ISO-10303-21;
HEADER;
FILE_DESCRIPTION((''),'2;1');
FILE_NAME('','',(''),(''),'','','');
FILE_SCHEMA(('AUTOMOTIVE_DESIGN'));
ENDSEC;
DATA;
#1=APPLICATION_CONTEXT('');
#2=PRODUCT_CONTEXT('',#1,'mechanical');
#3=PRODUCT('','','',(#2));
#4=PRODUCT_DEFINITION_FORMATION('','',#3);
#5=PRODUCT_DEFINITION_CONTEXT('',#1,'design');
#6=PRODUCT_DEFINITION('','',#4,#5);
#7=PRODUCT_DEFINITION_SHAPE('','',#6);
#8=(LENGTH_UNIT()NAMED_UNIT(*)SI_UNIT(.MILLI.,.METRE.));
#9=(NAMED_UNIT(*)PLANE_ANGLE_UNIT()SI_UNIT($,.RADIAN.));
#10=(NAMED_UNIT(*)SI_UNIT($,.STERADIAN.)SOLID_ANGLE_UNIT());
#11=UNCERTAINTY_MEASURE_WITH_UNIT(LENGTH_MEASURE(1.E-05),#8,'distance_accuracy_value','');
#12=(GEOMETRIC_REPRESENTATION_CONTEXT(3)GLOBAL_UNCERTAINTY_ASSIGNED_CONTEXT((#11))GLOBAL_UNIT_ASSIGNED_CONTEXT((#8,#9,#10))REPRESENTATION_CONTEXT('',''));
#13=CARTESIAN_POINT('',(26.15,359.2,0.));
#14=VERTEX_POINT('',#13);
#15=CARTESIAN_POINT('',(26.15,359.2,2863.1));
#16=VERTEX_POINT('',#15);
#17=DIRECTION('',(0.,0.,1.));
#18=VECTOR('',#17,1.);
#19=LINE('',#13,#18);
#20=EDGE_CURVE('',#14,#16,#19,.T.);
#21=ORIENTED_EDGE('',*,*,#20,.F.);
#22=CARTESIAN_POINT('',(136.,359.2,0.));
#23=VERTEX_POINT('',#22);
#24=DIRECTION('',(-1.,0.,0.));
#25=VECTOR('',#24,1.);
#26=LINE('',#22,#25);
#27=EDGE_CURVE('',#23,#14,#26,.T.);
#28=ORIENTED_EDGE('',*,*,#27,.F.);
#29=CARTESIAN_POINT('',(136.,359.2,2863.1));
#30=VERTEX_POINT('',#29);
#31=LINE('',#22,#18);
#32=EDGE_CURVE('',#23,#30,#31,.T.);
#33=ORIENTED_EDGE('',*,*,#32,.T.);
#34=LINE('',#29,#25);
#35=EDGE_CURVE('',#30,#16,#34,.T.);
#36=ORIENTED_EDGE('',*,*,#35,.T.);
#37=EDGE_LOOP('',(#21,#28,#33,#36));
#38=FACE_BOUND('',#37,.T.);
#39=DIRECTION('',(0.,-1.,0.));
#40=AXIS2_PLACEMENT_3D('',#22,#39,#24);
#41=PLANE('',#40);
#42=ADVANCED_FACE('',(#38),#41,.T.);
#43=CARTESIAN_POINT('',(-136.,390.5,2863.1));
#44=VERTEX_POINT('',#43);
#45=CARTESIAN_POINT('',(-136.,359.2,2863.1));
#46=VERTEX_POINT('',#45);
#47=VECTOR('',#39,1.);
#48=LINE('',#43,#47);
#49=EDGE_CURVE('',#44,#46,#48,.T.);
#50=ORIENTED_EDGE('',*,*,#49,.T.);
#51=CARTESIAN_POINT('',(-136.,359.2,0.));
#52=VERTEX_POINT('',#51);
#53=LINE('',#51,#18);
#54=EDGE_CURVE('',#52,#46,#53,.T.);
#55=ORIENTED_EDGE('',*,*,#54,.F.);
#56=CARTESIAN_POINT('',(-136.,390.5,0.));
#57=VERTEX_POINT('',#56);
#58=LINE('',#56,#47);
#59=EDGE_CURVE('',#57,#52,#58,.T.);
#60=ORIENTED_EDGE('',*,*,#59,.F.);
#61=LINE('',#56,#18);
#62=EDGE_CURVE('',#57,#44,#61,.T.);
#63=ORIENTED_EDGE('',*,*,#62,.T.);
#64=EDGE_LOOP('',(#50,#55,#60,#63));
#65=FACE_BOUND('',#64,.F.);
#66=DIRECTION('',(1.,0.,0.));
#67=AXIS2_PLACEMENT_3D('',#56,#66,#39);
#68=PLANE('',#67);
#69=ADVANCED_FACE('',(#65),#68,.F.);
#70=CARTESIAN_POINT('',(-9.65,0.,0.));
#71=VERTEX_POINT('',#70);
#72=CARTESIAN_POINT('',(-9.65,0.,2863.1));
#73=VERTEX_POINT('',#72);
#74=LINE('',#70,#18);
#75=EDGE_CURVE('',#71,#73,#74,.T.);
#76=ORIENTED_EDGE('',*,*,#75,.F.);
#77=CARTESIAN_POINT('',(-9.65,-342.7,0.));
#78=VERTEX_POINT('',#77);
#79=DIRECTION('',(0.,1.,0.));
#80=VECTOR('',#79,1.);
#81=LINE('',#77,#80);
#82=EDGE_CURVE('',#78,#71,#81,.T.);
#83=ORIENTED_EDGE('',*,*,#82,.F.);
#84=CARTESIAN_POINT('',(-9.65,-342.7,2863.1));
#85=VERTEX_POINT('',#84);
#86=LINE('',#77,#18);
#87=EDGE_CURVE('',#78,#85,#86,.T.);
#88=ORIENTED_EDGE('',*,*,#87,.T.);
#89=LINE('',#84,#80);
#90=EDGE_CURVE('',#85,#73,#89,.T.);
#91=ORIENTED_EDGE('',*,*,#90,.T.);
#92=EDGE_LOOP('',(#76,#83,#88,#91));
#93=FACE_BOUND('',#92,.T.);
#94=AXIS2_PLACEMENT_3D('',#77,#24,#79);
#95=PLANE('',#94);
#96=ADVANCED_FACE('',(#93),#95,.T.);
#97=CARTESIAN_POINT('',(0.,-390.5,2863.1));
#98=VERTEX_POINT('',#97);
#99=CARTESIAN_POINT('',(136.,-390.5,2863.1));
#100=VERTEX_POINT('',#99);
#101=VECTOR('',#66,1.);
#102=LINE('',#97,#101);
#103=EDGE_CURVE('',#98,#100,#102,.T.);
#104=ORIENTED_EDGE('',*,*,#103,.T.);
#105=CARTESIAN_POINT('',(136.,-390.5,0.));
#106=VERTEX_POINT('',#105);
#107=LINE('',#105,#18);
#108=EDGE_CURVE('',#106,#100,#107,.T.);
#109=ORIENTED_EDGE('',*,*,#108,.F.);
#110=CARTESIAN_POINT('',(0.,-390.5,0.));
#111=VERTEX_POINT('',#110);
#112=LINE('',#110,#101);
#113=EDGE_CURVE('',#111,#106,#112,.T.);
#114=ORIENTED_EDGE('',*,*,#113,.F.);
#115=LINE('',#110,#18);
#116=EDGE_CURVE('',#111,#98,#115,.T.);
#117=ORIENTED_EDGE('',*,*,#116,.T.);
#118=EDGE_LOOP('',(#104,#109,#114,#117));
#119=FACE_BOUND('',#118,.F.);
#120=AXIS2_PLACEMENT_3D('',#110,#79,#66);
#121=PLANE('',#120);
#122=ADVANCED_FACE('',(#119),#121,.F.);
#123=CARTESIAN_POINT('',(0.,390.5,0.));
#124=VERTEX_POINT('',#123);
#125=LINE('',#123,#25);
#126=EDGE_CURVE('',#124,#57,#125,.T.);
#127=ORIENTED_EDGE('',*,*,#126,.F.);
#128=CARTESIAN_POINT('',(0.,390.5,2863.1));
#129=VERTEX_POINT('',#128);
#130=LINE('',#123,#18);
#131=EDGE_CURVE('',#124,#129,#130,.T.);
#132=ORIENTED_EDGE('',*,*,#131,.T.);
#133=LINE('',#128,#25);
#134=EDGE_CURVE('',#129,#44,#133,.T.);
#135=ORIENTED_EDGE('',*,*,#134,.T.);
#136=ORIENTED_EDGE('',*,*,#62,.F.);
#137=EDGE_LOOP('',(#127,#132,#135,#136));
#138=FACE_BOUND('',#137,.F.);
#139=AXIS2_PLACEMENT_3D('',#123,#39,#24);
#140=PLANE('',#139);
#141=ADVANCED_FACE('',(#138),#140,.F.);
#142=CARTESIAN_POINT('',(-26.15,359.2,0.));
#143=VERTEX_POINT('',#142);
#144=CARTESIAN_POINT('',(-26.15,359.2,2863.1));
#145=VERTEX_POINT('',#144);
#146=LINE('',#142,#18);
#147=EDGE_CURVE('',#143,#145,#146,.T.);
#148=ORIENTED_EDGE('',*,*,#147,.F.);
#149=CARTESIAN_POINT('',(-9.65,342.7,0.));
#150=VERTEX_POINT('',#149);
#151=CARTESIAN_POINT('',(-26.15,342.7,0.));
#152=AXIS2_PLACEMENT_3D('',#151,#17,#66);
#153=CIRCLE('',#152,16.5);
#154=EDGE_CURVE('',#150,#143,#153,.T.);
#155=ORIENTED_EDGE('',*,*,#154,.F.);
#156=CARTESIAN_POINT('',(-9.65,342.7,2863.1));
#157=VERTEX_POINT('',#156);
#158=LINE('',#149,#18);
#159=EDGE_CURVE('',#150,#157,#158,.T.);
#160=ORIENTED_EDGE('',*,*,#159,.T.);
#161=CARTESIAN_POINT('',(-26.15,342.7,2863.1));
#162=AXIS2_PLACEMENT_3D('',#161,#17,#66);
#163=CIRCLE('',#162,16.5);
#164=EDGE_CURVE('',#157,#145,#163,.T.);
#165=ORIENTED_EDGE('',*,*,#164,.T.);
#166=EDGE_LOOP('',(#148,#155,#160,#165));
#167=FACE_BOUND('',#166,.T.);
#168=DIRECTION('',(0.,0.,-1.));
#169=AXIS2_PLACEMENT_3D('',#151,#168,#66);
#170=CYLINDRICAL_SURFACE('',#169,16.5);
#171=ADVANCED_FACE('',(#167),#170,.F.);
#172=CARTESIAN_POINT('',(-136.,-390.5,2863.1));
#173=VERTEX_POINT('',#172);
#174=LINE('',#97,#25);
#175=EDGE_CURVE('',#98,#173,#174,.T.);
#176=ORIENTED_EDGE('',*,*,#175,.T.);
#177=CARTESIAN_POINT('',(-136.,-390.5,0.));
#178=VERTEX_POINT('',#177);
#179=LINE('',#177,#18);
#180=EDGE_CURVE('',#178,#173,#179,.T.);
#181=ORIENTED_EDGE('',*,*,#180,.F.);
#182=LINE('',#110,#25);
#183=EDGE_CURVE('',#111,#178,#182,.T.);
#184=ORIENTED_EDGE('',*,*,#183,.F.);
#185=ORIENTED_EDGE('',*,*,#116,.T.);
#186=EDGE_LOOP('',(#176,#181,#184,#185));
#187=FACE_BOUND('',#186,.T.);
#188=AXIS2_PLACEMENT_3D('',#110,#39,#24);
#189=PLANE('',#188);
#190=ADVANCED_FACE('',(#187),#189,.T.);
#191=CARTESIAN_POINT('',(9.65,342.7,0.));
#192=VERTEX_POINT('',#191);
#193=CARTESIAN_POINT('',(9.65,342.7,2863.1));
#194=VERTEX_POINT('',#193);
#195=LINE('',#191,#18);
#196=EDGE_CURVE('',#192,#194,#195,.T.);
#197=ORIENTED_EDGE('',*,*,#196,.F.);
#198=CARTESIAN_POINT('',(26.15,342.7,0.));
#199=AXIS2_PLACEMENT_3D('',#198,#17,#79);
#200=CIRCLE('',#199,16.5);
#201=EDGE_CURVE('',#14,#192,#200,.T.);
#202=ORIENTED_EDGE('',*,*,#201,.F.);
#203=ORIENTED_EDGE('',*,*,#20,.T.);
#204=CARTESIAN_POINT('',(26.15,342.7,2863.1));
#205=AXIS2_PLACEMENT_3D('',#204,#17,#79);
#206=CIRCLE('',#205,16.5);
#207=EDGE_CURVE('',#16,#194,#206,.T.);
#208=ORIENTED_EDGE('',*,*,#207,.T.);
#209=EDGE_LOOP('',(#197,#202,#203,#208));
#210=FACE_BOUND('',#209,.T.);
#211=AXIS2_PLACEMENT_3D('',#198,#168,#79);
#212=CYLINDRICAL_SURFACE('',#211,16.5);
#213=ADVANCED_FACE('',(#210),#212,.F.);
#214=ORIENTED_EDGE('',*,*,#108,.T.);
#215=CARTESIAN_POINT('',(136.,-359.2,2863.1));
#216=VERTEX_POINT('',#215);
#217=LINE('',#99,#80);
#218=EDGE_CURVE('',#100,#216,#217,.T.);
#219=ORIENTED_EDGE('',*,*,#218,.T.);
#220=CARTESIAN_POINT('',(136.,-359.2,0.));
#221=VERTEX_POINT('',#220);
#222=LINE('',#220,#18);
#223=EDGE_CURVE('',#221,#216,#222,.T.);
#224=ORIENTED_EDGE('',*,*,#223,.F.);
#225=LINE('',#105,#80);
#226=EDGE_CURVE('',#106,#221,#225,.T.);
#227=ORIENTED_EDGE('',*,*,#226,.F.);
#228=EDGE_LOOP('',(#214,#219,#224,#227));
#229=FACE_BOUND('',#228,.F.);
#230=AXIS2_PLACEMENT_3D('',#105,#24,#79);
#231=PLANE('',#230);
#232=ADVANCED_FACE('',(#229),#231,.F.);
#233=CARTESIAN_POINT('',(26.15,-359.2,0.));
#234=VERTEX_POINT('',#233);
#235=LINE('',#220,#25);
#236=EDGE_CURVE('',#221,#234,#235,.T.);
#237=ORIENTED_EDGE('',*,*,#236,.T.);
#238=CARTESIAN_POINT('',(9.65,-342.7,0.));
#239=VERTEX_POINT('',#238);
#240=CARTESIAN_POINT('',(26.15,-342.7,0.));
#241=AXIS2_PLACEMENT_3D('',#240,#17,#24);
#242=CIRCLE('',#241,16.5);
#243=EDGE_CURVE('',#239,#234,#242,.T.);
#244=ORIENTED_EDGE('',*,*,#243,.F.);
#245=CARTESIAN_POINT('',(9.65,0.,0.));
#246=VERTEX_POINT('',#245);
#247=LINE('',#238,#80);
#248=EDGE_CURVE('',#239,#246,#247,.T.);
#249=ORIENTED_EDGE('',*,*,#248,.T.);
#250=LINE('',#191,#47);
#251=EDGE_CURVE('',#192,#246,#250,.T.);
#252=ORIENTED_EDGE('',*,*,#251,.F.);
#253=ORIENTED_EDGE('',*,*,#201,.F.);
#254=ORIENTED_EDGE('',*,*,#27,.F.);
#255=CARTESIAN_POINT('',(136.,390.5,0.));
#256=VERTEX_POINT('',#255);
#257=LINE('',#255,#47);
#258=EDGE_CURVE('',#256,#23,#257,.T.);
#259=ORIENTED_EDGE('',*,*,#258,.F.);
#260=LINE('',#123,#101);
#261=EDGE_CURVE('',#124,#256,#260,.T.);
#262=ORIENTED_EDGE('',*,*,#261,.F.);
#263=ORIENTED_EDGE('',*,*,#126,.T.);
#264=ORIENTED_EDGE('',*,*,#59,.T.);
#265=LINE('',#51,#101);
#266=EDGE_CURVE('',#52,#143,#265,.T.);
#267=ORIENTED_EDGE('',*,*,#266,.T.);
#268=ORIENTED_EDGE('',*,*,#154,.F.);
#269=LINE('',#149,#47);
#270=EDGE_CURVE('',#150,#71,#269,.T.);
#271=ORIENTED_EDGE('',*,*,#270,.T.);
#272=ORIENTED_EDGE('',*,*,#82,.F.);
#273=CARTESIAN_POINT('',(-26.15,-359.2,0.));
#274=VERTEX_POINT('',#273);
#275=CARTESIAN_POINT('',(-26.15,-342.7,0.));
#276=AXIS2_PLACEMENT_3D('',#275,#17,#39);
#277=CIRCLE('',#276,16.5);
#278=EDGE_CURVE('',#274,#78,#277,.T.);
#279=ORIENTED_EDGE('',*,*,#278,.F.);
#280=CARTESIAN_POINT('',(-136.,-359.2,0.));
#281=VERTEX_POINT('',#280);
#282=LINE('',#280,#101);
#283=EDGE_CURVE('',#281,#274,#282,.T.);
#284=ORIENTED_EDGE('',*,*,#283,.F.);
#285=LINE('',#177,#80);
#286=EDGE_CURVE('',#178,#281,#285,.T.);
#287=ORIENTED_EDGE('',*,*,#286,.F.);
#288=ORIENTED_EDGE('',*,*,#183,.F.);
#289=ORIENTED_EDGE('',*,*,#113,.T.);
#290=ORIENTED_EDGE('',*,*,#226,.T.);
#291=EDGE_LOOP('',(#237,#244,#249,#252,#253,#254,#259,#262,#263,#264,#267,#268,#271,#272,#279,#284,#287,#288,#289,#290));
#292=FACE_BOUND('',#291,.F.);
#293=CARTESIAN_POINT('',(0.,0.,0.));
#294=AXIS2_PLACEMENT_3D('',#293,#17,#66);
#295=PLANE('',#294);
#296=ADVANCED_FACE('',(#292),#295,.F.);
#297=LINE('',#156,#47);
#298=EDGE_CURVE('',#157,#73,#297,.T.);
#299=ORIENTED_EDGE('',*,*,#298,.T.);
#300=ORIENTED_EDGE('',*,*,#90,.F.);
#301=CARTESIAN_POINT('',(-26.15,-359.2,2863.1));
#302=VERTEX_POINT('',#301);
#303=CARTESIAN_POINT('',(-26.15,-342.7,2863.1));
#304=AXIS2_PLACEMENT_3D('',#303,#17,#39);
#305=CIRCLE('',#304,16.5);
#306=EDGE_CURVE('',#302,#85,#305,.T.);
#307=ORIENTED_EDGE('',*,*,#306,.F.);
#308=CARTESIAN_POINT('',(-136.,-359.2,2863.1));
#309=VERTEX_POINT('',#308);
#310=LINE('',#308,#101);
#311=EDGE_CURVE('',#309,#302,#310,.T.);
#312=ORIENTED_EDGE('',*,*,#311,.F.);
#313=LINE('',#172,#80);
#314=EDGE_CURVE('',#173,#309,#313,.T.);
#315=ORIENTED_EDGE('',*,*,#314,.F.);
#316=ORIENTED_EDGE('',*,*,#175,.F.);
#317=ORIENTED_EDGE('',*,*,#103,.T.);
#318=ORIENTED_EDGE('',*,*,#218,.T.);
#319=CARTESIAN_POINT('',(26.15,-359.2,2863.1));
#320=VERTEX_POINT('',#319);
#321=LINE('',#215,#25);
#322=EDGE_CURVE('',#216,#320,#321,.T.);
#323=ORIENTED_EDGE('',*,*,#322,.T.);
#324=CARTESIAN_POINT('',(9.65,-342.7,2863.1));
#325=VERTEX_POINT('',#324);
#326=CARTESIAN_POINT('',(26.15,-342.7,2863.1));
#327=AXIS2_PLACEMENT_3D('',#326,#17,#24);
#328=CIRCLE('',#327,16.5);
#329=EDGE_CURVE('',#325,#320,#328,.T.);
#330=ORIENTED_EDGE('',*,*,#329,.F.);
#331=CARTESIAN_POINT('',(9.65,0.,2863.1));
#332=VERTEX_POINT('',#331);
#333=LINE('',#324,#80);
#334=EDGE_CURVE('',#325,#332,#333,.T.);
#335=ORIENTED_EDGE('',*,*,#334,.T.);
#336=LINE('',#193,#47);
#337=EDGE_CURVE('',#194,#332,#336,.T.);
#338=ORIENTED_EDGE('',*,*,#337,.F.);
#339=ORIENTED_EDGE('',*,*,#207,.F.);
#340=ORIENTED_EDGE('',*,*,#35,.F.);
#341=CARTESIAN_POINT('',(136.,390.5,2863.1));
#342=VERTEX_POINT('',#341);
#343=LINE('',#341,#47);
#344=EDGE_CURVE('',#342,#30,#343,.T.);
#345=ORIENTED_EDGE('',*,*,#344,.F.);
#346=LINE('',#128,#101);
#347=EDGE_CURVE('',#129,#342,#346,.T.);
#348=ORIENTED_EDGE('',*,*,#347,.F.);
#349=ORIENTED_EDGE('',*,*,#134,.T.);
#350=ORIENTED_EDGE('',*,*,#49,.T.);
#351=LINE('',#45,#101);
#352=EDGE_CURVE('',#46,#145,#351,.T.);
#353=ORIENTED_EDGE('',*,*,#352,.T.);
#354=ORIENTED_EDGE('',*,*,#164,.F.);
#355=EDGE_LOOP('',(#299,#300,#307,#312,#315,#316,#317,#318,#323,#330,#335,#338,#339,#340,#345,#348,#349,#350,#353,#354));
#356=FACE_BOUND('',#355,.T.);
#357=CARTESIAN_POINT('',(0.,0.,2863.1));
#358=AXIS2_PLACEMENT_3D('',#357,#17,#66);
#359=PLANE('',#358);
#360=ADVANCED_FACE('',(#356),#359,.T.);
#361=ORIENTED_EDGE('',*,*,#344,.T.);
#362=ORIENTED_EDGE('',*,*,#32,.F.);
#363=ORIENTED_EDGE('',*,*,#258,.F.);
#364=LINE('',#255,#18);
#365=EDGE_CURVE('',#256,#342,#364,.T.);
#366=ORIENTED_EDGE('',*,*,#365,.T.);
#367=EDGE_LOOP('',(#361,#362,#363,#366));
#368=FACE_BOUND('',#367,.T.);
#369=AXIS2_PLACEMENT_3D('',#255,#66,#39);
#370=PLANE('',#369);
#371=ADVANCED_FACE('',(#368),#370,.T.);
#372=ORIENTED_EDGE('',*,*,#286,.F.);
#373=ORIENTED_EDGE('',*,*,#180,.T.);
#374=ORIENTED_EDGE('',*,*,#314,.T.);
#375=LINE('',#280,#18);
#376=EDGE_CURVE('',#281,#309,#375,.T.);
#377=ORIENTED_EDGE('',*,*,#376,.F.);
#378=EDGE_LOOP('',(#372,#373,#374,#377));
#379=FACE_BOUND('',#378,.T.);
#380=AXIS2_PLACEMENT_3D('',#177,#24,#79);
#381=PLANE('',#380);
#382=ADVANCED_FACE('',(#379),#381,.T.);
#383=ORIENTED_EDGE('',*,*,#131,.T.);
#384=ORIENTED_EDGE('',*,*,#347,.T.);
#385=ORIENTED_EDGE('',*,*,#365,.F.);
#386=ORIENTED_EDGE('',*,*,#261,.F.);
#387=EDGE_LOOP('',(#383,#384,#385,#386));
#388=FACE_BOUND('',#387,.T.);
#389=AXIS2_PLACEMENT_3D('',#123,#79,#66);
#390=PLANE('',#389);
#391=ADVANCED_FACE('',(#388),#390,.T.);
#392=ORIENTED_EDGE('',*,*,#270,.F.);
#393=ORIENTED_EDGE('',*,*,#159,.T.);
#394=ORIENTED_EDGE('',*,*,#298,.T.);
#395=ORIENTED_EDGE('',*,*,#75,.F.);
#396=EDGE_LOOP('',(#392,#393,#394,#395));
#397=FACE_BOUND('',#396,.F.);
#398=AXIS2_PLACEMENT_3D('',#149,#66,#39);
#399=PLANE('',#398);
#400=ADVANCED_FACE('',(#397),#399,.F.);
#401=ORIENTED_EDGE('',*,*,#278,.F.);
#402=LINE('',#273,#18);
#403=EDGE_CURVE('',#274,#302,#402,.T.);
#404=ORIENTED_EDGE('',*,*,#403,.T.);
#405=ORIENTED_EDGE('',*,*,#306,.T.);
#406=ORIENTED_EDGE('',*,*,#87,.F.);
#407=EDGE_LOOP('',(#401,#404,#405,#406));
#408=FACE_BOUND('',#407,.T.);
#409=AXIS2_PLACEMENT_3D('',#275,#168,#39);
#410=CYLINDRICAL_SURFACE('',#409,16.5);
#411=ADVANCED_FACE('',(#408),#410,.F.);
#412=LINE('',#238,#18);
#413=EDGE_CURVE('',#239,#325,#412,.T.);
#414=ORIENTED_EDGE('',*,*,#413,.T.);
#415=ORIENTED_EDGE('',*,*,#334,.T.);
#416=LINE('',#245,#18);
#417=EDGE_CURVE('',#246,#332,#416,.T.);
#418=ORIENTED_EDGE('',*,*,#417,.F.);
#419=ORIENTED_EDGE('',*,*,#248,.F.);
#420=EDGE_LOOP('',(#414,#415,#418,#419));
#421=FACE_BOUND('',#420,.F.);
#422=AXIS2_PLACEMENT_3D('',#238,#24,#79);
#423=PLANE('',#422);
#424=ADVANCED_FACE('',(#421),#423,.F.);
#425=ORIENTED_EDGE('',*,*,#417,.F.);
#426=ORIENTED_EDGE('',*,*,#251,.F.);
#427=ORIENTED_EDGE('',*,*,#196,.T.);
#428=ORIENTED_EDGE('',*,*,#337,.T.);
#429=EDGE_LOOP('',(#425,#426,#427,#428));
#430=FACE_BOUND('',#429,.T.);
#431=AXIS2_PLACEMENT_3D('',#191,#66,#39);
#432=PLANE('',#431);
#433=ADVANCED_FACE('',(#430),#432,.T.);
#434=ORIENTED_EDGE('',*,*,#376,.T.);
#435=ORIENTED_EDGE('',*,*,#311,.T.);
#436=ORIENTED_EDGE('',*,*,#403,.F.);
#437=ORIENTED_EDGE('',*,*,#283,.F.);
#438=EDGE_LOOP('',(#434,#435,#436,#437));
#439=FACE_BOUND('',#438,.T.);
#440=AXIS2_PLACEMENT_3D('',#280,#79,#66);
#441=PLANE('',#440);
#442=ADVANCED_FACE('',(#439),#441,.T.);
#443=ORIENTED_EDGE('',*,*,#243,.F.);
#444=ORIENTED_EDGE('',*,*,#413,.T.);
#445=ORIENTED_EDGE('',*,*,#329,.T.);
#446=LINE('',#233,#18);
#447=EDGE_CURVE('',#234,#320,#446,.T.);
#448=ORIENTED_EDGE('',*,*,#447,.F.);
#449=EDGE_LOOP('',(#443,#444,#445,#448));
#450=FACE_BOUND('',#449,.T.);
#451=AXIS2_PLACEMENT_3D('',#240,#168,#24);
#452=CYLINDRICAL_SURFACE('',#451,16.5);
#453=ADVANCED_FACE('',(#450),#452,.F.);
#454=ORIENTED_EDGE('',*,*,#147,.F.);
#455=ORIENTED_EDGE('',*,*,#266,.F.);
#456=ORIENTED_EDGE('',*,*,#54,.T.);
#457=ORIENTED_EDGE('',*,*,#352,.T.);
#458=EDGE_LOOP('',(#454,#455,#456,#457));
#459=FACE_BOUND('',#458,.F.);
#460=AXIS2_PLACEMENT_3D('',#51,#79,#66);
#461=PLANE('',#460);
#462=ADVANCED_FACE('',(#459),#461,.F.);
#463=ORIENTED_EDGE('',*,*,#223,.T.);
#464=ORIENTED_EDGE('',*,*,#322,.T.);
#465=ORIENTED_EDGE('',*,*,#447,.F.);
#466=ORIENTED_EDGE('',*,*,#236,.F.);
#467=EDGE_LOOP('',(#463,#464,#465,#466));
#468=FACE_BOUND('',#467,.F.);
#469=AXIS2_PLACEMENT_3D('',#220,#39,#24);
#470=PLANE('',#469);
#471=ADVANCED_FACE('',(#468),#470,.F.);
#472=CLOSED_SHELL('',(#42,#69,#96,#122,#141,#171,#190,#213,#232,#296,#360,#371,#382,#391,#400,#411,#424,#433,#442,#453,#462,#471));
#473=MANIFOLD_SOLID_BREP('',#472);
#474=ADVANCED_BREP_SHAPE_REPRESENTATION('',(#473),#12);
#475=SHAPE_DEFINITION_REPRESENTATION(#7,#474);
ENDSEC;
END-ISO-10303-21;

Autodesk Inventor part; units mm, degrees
ref_plane "YZ Plane" through (0, 0, 0) normal (1, 0, 0) x (0, 1, 0)
ref_plane "Start plane" through (0, 0, 0) normal (0, 0, 1) x (1, 0, 0)
ref_plane "End plane" through (0, 0, 2863.1) normal (0, 0, 1) x (1, 0, 0)
sketch "Sketch" plane through (0, 0, 0) normal (0, 0, 1) x (1, 0, 0)
  line L0 (-136, -390.5) -> (-136, -359.2)
  line L1 (-136, -359.2) -> (-26.15, -359.2)
  line L2 (-9.65, -342.7) -> (-9.65, 0)
  line L3 (-9.65, 0) -> (0, 0) construction
  line L4 (0, 0) -> (0, -390.5) construction
  line L5 (0, -390.5) -> (-136, -390.5)
  line L6 (-60, 0) -> (80, 0) construction
  line L7 (0, -60) -> (0, 80) construction
  line L8 (136, -390.5) -> (136, -359.2)
  line L9 (136, -359.2) -> (26.15, -359.2)
  line L10 (9.65, -342.7) -> (9.65, 0)
  line L11 (9.65, 0) -> (0, 0) construction
  line L12 (0, -390.5) -> (136, -390.5)
  line L13 (-136, 390.5) -> (-136, 359.2)
  line L14 (-136, 359.2) -> (-26.15, 359.2)
  line L15 (-9.65, 342.7) -> (-9.65, 0)
  line L16 (0, 390.5) -> (-136, 390.5)
  line L17 (136, 390.5) -> (136, 359.2)
  line L18 (136, 359.2) -> (26.15, 359.2)
  line L19 (0, 390.5) -> (136, 390.5)
  line L20 (9.65, 342.7) -> (9.65, 0)
  arc A0 (-9.65, 342.7) -> (-26.15, 359.2) centre (-26.15, 342.7) ccw
  arc A1 (26.15, 359.2) -> (9.65, 342.7) centre (26.15, 342.7) ccw
  arc A2 (9.65, -342.7) -> (26.15, -359.2) centre (26.15, -342.7) ccw
  arc A3 (-26.15, -359.2) -> (-9.65, -342.7) centre (-26.15, -342.7) ccw
  line L21 (0, 108) -> (0, -88) construction
  line L22 (-88, 0) -> (108, 0) construction
  point P0 (-9.65, -359.2)
  point P1 (9.65, -359.2)
  point P2 (-9.65, 359.2)
  point P3 (9.65, 359.2)
  dimension "d1" = 390.5
  dimension "d2" = 31.3
  dimension "d3" = 136
  dimension "d4" = 9.65
  dimension "d10" = 16.5
extrude "Body" add sketch "Sketch" along normal up to surface (2863.1 mm away) from surface at 0
sketch "Sketch4" plane through (0, 0, 0) normal (0, 0, 1) x (1, 0, 0)
  line L0 (0, 0) -> (10, 0)
ref_plane "Work Plane3" through (0, 0, 0) normal (0, -1, 0) x (1, 0, 0)
sketch "Sketch5" plane through (0, 0, 0) normal (0, -1, 0) x (1, 0, 0)
  line L0 (-2, 0) -> (12, 0) projected
  line L1 (-2, 2863.1) -> (12, 2863.1) projected
  dimension "d14" = 2863.1
equation "\"d1\" = 0.5 * G_H"
equation "\"d2\" = G_T1"
equation "\"d3\" = 0.5 * G_W"
equation "\"d4\" = 0.5 * G_T"
equation "\"d10\" = G_IR"
equation "\"d5\" = G_L"
equation "\"G_W\" = 272"
equation "\"G_H\" = 781"
equation "\"G_T\" = 19.3"
equation "\"G_T1\" = 31.3"
equation "\"G_IR\" = 16.5"
equation "\"G_L\" = d14"
equation "\"G_OFFSET_START\" = 0"
equation "\"G_OFFSET_END\" = 0"
equation "\"d12\" = G_OFFSET_END + B_L"
equation "\"B_L\" = 2863.1"
properties part number "AS 3679-1990 - 760 UB - 244 - 2863.1" material "Steel, Mild"
